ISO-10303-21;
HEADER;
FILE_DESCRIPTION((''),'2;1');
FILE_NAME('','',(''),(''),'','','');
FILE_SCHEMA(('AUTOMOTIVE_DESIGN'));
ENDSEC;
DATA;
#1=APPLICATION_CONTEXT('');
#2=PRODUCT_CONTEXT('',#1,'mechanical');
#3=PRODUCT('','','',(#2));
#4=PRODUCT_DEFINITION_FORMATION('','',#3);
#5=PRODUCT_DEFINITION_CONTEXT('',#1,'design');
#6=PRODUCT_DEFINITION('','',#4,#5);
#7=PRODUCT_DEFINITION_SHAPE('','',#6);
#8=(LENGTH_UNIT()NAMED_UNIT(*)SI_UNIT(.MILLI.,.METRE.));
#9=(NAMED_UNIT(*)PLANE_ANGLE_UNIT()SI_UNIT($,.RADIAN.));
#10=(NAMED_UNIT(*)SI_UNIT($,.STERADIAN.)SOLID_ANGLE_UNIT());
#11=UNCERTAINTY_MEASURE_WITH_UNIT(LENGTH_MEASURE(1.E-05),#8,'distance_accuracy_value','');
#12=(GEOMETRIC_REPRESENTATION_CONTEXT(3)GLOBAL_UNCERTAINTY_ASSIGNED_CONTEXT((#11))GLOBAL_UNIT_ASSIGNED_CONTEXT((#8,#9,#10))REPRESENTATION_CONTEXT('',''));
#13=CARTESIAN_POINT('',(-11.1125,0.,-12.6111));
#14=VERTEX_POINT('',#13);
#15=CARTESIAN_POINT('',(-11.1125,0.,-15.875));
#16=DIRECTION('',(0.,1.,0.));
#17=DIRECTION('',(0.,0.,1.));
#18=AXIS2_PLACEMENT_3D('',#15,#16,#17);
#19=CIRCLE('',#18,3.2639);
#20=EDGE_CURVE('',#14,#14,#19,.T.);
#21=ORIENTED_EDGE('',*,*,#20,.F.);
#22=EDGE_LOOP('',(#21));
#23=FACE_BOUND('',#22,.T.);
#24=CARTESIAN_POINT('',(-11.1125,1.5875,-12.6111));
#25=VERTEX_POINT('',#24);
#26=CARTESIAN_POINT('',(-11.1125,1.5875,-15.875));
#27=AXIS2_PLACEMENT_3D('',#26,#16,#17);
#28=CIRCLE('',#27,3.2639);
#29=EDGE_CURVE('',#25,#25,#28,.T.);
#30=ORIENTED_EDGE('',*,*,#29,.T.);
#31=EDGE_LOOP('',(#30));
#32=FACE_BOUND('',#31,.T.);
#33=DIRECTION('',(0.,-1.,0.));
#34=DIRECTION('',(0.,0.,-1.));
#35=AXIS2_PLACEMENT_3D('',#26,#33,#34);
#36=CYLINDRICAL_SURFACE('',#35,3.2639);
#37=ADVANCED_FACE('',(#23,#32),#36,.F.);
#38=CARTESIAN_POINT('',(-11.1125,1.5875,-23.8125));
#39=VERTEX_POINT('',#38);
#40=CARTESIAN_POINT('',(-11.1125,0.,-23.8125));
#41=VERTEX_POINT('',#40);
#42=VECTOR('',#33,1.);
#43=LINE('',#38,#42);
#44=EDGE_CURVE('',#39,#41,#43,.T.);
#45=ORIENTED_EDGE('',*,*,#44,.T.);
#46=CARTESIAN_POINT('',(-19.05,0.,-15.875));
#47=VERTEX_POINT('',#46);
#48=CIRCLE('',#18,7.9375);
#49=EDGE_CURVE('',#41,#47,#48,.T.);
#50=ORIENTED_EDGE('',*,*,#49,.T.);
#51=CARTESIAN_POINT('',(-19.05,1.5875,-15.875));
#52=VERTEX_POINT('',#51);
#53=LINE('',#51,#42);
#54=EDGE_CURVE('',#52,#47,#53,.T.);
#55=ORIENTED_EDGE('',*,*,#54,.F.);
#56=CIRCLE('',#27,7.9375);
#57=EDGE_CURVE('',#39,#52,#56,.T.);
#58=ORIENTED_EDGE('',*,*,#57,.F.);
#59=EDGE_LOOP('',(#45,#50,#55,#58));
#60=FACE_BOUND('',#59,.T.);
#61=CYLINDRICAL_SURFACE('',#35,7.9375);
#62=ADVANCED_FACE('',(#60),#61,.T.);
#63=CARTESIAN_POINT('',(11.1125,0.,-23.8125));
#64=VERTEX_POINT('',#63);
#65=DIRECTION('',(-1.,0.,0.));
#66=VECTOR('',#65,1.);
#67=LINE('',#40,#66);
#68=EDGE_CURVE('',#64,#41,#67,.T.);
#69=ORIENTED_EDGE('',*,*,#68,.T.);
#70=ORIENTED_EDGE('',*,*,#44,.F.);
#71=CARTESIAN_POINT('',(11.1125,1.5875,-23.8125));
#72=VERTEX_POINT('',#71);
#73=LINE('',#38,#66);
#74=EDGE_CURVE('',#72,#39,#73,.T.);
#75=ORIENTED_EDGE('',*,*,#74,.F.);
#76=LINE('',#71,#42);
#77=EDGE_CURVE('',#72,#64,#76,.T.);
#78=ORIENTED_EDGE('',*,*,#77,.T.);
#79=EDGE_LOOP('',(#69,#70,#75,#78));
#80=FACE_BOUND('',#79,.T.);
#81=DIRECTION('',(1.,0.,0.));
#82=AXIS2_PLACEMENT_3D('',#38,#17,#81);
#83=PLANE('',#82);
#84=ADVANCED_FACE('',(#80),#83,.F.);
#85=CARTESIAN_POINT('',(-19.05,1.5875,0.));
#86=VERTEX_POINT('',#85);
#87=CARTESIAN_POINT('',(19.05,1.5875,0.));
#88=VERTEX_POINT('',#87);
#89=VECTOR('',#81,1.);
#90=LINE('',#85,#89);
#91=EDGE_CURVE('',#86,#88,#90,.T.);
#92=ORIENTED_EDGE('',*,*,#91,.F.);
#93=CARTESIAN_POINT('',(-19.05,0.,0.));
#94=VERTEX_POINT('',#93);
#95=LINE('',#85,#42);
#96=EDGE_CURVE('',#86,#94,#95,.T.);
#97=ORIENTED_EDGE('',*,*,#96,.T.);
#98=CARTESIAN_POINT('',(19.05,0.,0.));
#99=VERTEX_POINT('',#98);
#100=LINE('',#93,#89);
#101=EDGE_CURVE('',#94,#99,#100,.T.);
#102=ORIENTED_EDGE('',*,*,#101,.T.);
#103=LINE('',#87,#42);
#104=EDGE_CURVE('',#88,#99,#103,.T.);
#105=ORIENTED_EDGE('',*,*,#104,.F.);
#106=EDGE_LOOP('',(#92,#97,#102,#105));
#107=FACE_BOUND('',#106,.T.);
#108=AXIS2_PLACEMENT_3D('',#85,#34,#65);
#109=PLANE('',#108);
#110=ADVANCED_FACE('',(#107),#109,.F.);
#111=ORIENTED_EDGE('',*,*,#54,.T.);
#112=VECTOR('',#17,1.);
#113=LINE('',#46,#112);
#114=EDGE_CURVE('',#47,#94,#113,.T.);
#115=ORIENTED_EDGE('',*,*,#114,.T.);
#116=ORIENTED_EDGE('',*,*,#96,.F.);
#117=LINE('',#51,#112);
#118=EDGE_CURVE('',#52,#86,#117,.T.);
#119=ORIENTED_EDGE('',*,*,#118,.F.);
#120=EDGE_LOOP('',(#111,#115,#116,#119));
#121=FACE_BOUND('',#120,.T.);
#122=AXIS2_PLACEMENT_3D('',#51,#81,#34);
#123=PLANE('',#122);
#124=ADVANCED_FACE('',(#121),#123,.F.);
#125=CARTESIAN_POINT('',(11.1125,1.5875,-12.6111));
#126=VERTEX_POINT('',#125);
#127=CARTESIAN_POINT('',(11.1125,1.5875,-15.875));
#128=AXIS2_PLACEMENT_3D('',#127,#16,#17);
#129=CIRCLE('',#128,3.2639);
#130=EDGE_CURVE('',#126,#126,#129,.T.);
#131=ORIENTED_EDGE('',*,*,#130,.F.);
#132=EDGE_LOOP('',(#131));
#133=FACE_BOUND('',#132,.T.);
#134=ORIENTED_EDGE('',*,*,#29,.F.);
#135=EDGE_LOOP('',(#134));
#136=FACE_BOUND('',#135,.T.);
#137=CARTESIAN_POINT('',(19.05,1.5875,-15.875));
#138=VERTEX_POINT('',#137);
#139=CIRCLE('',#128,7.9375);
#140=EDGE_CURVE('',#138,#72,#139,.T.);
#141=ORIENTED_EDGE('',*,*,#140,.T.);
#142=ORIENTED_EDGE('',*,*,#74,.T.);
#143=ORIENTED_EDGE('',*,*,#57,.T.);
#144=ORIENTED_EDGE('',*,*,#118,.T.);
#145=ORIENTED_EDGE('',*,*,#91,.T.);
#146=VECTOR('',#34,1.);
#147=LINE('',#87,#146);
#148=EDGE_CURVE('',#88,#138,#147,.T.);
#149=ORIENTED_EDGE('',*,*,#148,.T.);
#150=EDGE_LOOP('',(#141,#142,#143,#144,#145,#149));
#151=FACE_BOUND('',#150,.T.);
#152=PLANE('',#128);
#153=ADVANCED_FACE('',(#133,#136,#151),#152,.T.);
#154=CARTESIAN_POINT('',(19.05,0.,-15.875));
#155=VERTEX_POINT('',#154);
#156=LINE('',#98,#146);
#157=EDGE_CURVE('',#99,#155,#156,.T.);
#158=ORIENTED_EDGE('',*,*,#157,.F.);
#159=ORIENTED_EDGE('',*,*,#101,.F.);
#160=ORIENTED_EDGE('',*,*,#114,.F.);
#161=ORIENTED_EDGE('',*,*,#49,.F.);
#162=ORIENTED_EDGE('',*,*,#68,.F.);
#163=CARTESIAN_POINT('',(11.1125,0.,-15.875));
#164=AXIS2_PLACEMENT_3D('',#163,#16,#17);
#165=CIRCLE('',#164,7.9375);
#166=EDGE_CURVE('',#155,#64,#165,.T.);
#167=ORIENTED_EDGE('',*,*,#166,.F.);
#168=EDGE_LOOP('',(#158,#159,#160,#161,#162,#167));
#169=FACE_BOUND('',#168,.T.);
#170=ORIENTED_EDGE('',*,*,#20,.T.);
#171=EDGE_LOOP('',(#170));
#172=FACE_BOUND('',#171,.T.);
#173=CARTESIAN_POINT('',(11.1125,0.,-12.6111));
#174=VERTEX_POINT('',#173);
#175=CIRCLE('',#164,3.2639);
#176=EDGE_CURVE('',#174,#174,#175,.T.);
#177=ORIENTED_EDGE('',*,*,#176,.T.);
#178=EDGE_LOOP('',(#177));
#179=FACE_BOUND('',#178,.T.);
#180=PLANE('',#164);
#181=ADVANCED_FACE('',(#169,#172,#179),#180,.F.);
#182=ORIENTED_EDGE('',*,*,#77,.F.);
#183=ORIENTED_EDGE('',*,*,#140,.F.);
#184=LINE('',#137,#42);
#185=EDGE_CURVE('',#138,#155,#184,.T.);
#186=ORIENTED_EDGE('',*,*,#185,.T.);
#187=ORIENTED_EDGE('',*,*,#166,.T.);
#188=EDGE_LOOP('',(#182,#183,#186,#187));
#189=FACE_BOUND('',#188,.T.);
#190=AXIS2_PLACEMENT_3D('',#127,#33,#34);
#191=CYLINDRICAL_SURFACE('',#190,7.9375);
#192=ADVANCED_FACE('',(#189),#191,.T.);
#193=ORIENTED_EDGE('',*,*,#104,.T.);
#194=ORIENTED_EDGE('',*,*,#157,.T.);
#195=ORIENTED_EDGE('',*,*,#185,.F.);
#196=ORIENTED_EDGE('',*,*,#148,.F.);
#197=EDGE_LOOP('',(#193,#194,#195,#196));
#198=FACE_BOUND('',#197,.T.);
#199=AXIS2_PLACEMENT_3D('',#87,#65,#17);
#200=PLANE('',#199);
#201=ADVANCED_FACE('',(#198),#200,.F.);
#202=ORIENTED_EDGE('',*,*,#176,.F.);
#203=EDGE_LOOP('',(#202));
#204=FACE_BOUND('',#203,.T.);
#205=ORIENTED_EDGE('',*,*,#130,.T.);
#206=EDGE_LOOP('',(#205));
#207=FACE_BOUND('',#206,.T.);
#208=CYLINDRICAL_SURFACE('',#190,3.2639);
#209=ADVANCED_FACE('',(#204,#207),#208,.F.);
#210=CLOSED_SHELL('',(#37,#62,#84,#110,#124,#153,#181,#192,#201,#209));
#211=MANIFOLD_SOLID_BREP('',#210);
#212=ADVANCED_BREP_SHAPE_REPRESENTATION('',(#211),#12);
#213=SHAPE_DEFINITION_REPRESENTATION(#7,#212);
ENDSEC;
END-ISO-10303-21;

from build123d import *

# Parameters (mm, degrees)
SKETCH1_R           = 3.2639
BOSS_EXTRUDE1_DEPTH = 1.5875


with BuildPart() as part:
    # Sketch1 → Boss-Extrude1 (new body)
    with BuildSketch(Plane(origin=(0, 0, 0), x_dir=(1, 0, 0), z_dir=(0, 1, 0))):
        with BuildLine():
            Line((-19.05, 0), (19.05, 0))
            Line((19.05, 0), (19.05, 15.875))
            ThreePointArc((19.05, 15.875), (16.725160076, 21.487660076), (11.1125, 23.8125))
            Line((11.1125, 23.8125), (-11.1125, 23.8125))
            ThreePointArc((-11.1125, 23.8125), (-16.725160076, 21.487660076), (-19.05, 15.875))
            Line((-19.05, 15.875), (-19.05, 0))
        make_face()
        with Locations(Location((-11.1125, 15.875, 0), (0, 0, 270))):
            Circle(SKETCH1_R, mode=Mode.SUBTRACT)
        with Locations(Location((11.1125, 15.875, 0), (0, 0, 270))):
            Circle(SKETCH1_R, mode=Mode.SUBTRACT)
    extrude(amount=BOSS_EXTRUDE1_DEPTH)


solid = part.part
